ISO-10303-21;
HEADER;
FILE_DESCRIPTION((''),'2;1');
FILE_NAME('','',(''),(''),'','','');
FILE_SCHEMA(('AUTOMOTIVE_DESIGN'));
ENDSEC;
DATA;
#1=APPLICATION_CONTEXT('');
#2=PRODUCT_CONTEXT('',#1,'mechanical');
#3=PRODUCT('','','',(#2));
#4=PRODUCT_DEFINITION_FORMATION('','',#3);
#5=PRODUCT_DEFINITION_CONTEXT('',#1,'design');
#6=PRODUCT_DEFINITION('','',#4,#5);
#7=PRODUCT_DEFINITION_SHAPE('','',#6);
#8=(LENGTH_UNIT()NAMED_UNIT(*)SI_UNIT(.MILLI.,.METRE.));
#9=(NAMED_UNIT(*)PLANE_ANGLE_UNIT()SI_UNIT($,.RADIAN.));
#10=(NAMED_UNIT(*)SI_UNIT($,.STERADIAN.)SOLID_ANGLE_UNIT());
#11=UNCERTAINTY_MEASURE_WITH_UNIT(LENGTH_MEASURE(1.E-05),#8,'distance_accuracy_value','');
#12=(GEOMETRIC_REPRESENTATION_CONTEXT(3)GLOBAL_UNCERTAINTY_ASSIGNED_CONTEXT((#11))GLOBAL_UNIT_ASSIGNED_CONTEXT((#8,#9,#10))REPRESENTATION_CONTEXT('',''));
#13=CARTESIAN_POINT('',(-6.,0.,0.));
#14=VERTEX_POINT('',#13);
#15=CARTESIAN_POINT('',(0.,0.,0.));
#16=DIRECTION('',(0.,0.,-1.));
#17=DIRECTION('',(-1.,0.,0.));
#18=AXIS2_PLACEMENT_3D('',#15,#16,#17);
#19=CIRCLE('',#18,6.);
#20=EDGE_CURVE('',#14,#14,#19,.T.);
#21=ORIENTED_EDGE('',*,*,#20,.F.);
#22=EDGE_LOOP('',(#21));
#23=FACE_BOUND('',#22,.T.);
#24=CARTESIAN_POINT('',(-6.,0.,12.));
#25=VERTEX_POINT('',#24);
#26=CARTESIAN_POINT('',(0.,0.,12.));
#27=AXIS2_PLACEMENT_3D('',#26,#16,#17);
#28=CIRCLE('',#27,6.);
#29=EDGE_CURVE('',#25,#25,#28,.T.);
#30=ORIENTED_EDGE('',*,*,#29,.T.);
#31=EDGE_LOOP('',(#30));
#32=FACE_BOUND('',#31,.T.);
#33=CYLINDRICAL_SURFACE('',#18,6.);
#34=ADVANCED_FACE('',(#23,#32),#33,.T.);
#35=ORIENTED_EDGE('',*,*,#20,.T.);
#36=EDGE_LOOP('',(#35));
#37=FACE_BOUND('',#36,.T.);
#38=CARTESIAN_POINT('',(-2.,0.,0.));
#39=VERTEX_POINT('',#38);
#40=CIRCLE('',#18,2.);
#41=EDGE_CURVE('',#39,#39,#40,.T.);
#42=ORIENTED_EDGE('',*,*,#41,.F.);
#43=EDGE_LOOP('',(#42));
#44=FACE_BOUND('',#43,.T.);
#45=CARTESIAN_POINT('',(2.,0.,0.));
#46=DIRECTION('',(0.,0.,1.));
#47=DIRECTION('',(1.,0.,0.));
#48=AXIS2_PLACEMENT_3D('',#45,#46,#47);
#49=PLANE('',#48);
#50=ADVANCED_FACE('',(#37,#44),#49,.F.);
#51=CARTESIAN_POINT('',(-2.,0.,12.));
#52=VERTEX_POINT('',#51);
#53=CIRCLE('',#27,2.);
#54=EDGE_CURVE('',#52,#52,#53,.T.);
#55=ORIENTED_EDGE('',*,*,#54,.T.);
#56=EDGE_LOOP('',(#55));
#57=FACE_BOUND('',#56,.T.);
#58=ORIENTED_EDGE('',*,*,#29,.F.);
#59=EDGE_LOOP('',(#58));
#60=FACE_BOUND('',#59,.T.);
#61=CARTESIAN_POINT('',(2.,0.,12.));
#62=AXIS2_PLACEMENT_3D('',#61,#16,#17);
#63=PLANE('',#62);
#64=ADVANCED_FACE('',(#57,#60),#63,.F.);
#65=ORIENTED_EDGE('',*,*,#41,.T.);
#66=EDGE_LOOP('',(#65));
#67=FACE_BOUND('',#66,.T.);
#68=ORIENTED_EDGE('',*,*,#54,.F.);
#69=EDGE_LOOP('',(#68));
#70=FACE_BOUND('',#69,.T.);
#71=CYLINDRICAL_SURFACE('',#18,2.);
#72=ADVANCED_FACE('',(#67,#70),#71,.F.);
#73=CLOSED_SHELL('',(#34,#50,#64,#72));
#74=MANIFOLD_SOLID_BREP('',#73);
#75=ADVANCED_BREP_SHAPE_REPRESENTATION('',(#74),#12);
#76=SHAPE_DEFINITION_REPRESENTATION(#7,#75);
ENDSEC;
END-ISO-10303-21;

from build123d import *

# Parameters (mm, degrees)
ANNULUSPROFILE_W = 4
ANNULUSPROFILE_H = 12


with BuildPart() as part:
    # AnnulusProfile → Revolution (revolve)
    with BuildSketch(Plane(origin=(0, 0, 0), x_dir=(1, 0, 0), z_dir=(0, 1, 0)), mode=Mode.PRIVATE) as revolution_sk:
        with Locations((4, -6)):
            Rectangle(ANNULUSPROFILE_W, ANNULUSPROFILE_H)
    revolve(revolution_sk.sketch.rotate(Axis((0, 0, 0), (0, 0, 1)), 180), axis=Axis((0, 0, 0), (0, 0, 1)))


solid = part.part
